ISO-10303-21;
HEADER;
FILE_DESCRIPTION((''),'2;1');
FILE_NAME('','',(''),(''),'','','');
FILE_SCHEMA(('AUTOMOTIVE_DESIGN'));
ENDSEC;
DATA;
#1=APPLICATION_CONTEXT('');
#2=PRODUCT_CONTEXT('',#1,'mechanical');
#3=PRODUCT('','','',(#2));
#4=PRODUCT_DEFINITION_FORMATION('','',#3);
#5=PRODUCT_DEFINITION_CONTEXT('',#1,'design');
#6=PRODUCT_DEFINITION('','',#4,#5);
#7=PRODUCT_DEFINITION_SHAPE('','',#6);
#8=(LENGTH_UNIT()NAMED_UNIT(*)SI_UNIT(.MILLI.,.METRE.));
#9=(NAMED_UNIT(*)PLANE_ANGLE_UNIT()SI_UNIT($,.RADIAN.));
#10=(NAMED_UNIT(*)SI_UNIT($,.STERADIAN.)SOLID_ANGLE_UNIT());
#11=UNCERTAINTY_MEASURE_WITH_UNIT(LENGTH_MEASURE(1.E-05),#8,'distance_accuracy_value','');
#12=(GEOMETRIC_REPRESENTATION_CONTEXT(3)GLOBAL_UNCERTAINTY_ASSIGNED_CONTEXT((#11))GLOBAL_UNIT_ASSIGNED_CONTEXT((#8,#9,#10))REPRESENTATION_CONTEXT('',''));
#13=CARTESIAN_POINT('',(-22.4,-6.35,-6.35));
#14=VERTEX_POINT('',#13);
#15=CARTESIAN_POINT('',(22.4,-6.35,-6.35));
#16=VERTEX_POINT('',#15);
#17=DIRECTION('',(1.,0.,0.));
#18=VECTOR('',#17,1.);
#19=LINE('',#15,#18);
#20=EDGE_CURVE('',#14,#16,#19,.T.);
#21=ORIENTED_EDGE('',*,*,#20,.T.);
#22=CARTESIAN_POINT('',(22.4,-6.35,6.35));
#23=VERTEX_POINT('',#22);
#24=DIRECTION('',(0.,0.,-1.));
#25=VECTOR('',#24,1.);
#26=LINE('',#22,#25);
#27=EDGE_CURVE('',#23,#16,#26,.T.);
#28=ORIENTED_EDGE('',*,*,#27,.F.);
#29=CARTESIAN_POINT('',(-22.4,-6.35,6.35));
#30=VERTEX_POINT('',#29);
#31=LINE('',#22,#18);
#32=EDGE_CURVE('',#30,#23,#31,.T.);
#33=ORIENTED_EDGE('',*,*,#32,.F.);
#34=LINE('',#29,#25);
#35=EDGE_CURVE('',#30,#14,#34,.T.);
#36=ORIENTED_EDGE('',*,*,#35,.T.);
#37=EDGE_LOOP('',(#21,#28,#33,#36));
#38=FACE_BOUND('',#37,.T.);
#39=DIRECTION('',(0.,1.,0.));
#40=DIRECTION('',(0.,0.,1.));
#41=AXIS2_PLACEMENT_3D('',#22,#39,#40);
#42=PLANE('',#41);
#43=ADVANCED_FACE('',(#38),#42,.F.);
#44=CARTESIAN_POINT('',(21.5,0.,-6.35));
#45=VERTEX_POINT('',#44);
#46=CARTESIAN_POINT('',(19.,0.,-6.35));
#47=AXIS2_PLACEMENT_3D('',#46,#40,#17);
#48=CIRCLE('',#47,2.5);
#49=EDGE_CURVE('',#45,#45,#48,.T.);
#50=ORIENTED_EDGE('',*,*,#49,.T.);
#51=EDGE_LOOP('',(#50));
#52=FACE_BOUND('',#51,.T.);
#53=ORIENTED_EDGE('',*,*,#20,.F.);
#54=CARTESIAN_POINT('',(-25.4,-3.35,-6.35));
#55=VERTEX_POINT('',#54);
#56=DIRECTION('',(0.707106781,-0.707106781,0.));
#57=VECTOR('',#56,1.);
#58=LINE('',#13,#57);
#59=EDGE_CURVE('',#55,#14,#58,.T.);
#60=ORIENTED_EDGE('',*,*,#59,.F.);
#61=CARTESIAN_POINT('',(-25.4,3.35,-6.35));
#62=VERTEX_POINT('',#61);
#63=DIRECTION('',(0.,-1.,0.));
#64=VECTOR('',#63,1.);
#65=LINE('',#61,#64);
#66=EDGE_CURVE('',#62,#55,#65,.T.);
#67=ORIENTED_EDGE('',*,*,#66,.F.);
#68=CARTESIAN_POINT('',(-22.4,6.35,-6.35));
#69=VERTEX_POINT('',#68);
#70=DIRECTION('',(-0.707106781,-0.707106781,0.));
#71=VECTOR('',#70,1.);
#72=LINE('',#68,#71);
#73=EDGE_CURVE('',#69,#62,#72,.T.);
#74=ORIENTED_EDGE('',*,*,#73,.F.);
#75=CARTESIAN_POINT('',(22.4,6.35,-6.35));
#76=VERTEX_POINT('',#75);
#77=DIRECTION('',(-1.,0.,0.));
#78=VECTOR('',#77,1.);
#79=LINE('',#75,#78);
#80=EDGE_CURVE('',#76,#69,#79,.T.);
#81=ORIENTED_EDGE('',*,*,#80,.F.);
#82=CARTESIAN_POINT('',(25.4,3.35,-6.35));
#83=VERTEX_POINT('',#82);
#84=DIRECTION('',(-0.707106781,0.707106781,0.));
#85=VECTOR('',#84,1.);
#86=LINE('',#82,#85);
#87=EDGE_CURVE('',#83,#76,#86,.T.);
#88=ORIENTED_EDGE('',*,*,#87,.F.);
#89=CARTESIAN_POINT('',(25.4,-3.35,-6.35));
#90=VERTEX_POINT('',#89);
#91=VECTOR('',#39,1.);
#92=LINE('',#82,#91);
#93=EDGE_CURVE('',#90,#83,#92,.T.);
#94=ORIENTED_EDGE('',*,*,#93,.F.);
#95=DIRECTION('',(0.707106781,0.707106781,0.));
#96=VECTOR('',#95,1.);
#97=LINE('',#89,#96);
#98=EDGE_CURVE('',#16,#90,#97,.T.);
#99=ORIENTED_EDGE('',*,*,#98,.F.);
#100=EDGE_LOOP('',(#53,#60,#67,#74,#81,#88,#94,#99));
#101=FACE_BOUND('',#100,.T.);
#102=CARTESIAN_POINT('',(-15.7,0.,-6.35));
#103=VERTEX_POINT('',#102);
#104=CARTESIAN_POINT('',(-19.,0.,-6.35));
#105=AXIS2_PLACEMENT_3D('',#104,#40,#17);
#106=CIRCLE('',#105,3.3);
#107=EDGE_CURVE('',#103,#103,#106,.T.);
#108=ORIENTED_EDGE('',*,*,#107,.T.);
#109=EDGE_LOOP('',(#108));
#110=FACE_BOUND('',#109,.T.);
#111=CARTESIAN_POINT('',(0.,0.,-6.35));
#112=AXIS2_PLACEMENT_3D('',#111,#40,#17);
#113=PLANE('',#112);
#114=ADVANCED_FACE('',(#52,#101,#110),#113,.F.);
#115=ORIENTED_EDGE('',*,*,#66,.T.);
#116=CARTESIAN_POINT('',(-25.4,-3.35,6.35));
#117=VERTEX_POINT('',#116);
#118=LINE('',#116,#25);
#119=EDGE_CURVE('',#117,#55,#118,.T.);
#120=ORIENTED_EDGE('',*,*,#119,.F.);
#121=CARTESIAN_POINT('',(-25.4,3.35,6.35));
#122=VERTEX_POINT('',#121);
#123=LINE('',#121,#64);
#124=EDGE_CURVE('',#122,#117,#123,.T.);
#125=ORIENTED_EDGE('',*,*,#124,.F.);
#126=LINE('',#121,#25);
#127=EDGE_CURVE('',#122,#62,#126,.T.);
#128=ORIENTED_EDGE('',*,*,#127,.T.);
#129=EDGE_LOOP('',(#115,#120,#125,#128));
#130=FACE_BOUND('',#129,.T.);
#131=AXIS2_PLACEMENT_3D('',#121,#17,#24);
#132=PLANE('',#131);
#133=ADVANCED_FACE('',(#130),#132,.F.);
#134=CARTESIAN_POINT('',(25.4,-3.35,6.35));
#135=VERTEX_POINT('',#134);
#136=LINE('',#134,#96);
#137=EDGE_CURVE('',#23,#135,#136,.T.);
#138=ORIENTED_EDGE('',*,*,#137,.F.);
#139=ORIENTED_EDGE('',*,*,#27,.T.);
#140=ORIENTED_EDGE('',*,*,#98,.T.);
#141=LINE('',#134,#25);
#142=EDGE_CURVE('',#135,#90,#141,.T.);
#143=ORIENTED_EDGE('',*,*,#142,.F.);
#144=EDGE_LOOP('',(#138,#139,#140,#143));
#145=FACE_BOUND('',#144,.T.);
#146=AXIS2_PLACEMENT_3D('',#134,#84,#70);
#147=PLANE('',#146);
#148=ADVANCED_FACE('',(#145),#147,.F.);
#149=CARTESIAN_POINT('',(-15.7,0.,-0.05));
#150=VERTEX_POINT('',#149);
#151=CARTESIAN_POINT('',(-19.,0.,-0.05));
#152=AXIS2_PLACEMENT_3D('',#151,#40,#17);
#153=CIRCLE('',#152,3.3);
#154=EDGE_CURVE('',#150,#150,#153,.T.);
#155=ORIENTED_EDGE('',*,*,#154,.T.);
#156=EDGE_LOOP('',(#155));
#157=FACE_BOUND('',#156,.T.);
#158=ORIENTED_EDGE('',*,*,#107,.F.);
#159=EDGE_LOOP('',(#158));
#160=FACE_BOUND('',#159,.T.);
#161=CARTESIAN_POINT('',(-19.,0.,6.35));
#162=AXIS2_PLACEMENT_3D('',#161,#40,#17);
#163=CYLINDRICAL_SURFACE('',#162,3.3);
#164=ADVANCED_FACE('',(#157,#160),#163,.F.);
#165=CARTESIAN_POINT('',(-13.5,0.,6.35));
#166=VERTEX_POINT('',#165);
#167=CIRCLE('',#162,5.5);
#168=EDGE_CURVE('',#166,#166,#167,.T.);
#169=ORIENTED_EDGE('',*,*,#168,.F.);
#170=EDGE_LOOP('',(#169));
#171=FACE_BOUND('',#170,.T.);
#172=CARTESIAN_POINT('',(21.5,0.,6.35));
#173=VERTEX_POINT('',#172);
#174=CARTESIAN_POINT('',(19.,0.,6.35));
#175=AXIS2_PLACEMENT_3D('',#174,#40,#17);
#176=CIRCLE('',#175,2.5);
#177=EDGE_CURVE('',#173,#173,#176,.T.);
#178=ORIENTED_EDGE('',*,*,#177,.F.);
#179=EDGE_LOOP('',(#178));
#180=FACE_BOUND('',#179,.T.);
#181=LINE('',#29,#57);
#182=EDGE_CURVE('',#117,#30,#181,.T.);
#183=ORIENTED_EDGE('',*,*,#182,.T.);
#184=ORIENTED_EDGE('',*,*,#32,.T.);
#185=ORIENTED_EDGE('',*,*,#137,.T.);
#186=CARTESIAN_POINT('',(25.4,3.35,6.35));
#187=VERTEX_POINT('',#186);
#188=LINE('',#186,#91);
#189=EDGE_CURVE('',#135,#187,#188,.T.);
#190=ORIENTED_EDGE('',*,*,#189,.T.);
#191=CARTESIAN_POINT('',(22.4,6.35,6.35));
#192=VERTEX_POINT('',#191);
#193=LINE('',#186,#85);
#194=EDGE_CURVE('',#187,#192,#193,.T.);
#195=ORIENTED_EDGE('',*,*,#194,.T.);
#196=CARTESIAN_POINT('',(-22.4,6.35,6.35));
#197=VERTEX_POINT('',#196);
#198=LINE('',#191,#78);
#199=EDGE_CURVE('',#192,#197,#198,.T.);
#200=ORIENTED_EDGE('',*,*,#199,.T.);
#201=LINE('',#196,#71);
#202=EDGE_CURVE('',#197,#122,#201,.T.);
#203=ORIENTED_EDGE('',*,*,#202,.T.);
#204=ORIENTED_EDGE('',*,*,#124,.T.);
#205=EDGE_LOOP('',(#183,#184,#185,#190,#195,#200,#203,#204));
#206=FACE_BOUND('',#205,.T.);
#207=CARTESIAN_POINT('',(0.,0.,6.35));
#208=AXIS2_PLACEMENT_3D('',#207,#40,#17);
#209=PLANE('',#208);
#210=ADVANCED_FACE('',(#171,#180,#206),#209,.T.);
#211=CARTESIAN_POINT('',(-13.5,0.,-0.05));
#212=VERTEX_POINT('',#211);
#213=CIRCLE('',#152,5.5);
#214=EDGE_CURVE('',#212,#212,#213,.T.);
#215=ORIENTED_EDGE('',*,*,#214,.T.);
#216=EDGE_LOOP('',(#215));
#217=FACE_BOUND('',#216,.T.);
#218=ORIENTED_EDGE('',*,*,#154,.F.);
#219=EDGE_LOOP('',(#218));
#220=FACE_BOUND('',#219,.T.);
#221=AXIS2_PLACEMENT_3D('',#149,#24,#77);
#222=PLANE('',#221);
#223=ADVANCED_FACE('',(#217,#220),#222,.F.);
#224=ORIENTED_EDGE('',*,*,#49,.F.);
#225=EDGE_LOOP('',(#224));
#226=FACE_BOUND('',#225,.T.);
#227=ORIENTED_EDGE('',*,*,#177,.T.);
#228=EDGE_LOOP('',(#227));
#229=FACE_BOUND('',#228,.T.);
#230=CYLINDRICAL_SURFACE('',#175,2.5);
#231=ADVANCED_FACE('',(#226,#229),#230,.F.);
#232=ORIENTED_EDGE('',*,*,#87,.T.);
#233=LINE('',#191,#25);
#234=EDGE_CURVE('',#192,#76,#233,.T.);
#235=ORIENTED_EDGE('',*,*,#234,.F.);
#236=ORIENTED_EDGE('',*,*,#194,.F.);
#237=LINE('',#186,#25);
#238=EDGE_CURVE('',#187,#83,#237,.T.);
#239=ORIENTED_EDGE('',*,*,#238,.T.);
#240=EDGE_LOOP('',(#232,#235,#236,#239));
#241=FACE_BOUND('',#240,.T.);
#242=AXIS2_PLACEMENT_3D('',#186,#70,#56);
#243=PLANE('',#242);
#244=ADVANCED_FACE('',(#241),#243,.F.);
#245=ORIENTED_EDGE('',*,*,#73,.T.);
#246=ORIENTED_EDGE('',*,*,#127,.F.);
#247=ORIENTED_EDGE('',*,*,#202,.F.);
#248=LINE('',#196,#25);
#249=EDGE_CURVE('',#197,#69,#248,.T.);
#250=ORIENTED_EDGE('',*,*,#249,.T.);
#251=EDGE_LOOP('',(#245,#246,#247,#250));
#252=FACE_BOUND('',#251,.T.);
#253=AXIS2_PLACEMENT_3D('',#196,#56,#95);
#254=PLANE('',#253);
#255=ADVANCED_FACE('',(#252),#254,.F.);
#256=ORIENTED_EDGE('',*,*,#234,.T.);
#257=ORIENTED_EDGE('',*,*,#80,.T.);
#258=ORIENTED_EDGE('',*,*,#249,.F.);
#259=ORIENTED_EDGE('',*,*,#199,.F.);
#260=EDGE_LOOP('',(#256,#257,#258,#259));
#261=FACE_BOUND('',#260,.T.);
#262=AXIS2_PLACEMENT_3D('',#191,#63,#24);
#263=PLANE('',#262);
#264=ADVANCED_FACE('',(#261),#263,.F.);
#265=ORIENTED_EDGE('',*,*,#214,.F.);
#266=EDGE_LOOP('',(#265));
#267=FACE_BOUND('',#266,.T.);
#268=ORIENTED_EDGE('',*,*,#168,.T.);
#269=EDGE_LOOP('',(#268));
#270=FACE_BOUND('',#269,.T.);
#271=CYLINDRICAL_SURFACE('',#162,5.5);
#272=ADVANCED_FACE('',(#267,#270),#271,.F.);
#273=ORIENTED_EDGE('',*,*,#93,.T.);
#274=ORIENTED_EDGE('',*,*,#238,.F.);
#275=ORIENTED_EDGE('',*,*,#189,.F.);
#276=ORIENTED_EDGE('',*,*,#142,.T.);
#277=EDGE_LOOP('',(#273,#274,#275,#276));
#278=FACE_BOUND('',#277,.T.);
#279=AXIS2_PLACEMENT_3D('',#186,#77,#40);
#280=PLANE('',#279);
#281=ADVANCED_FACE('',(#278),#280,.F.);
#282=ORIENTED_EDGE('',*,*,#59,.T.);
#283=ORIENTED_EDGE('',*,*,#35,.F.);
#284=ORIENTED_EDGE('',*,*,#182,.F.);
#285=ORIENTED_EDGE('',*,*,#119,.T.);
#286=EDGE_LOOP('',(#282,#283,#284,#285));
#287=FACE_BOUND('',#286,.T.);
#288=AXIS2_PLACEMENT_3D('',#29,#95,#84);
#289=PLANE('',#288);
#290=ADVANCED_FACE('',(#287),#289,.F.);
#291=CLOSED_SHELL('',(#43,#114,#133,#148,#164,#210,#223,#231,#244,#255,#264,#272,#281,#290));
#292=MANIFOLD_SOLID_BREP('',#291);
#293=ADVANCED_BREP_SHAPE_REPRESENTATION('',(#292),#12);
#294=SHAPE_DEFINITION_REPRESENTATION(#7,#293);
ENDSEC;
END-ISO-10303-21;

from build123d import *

# Parameters (mm, degrees)
SALIENTE_EXTRUIR1_DEPTH                              = 6.35
TALADRO_ROSCADO_M61_D                                = 5
REFRENTADO_PARA_TORNILLO_CON_CABEZA_HUEC_D           = 6.6
REFRENTADO_PARA_TORNILLO_CON_CABEZA_HUEC_CBORE_D     = 11
REFRENTADO_PARA_TORNILLO_CON_CABEZA_HUEC_CBORE_DEPTH = 6.4


with BuildPart() as part:
    # Croquis1 → Saliente-Extruir1 (new, symmetric)
    with BuildSketch(Plane.XY):
        Polygon((-22.4, 6.35), (-25.4, 3.35), (-25.4, -3.35), (-22.4, -6.35), (22.4, -6.35), (25.4, -3.35), (25.4, 3.35), (22.4, 6.35), align=None)
    extrude(amount=SALIENTE_EXTRUIR1_DEPTH, both=True)

    # Taladro roscado M61 (through all)
    with Locations(Plane.XY.offset(6.35)):
        with Locations((19, 0)):
            Hole(TALADRO_ROSCADO_M61_D / 2)

    # Refrentado para tornillo con cabeza huec (through all)
    with Locations(Plane.XY.offset(6.35)):
        with Locations((-19, 0)):
            CounterBoreHole(REFRENTADO_PARA_TORNILLO_CON_CABEZA_HUEC_D / 2, REFRENTADO_PARA_TORNILLO_CON_CABEZA_HUEC_CBORE_D / 2, REFRENTADO_PARA_TORNILLO_CON_CABEZA_HUEC_CBORE_DEPTH)


solid = part.part
